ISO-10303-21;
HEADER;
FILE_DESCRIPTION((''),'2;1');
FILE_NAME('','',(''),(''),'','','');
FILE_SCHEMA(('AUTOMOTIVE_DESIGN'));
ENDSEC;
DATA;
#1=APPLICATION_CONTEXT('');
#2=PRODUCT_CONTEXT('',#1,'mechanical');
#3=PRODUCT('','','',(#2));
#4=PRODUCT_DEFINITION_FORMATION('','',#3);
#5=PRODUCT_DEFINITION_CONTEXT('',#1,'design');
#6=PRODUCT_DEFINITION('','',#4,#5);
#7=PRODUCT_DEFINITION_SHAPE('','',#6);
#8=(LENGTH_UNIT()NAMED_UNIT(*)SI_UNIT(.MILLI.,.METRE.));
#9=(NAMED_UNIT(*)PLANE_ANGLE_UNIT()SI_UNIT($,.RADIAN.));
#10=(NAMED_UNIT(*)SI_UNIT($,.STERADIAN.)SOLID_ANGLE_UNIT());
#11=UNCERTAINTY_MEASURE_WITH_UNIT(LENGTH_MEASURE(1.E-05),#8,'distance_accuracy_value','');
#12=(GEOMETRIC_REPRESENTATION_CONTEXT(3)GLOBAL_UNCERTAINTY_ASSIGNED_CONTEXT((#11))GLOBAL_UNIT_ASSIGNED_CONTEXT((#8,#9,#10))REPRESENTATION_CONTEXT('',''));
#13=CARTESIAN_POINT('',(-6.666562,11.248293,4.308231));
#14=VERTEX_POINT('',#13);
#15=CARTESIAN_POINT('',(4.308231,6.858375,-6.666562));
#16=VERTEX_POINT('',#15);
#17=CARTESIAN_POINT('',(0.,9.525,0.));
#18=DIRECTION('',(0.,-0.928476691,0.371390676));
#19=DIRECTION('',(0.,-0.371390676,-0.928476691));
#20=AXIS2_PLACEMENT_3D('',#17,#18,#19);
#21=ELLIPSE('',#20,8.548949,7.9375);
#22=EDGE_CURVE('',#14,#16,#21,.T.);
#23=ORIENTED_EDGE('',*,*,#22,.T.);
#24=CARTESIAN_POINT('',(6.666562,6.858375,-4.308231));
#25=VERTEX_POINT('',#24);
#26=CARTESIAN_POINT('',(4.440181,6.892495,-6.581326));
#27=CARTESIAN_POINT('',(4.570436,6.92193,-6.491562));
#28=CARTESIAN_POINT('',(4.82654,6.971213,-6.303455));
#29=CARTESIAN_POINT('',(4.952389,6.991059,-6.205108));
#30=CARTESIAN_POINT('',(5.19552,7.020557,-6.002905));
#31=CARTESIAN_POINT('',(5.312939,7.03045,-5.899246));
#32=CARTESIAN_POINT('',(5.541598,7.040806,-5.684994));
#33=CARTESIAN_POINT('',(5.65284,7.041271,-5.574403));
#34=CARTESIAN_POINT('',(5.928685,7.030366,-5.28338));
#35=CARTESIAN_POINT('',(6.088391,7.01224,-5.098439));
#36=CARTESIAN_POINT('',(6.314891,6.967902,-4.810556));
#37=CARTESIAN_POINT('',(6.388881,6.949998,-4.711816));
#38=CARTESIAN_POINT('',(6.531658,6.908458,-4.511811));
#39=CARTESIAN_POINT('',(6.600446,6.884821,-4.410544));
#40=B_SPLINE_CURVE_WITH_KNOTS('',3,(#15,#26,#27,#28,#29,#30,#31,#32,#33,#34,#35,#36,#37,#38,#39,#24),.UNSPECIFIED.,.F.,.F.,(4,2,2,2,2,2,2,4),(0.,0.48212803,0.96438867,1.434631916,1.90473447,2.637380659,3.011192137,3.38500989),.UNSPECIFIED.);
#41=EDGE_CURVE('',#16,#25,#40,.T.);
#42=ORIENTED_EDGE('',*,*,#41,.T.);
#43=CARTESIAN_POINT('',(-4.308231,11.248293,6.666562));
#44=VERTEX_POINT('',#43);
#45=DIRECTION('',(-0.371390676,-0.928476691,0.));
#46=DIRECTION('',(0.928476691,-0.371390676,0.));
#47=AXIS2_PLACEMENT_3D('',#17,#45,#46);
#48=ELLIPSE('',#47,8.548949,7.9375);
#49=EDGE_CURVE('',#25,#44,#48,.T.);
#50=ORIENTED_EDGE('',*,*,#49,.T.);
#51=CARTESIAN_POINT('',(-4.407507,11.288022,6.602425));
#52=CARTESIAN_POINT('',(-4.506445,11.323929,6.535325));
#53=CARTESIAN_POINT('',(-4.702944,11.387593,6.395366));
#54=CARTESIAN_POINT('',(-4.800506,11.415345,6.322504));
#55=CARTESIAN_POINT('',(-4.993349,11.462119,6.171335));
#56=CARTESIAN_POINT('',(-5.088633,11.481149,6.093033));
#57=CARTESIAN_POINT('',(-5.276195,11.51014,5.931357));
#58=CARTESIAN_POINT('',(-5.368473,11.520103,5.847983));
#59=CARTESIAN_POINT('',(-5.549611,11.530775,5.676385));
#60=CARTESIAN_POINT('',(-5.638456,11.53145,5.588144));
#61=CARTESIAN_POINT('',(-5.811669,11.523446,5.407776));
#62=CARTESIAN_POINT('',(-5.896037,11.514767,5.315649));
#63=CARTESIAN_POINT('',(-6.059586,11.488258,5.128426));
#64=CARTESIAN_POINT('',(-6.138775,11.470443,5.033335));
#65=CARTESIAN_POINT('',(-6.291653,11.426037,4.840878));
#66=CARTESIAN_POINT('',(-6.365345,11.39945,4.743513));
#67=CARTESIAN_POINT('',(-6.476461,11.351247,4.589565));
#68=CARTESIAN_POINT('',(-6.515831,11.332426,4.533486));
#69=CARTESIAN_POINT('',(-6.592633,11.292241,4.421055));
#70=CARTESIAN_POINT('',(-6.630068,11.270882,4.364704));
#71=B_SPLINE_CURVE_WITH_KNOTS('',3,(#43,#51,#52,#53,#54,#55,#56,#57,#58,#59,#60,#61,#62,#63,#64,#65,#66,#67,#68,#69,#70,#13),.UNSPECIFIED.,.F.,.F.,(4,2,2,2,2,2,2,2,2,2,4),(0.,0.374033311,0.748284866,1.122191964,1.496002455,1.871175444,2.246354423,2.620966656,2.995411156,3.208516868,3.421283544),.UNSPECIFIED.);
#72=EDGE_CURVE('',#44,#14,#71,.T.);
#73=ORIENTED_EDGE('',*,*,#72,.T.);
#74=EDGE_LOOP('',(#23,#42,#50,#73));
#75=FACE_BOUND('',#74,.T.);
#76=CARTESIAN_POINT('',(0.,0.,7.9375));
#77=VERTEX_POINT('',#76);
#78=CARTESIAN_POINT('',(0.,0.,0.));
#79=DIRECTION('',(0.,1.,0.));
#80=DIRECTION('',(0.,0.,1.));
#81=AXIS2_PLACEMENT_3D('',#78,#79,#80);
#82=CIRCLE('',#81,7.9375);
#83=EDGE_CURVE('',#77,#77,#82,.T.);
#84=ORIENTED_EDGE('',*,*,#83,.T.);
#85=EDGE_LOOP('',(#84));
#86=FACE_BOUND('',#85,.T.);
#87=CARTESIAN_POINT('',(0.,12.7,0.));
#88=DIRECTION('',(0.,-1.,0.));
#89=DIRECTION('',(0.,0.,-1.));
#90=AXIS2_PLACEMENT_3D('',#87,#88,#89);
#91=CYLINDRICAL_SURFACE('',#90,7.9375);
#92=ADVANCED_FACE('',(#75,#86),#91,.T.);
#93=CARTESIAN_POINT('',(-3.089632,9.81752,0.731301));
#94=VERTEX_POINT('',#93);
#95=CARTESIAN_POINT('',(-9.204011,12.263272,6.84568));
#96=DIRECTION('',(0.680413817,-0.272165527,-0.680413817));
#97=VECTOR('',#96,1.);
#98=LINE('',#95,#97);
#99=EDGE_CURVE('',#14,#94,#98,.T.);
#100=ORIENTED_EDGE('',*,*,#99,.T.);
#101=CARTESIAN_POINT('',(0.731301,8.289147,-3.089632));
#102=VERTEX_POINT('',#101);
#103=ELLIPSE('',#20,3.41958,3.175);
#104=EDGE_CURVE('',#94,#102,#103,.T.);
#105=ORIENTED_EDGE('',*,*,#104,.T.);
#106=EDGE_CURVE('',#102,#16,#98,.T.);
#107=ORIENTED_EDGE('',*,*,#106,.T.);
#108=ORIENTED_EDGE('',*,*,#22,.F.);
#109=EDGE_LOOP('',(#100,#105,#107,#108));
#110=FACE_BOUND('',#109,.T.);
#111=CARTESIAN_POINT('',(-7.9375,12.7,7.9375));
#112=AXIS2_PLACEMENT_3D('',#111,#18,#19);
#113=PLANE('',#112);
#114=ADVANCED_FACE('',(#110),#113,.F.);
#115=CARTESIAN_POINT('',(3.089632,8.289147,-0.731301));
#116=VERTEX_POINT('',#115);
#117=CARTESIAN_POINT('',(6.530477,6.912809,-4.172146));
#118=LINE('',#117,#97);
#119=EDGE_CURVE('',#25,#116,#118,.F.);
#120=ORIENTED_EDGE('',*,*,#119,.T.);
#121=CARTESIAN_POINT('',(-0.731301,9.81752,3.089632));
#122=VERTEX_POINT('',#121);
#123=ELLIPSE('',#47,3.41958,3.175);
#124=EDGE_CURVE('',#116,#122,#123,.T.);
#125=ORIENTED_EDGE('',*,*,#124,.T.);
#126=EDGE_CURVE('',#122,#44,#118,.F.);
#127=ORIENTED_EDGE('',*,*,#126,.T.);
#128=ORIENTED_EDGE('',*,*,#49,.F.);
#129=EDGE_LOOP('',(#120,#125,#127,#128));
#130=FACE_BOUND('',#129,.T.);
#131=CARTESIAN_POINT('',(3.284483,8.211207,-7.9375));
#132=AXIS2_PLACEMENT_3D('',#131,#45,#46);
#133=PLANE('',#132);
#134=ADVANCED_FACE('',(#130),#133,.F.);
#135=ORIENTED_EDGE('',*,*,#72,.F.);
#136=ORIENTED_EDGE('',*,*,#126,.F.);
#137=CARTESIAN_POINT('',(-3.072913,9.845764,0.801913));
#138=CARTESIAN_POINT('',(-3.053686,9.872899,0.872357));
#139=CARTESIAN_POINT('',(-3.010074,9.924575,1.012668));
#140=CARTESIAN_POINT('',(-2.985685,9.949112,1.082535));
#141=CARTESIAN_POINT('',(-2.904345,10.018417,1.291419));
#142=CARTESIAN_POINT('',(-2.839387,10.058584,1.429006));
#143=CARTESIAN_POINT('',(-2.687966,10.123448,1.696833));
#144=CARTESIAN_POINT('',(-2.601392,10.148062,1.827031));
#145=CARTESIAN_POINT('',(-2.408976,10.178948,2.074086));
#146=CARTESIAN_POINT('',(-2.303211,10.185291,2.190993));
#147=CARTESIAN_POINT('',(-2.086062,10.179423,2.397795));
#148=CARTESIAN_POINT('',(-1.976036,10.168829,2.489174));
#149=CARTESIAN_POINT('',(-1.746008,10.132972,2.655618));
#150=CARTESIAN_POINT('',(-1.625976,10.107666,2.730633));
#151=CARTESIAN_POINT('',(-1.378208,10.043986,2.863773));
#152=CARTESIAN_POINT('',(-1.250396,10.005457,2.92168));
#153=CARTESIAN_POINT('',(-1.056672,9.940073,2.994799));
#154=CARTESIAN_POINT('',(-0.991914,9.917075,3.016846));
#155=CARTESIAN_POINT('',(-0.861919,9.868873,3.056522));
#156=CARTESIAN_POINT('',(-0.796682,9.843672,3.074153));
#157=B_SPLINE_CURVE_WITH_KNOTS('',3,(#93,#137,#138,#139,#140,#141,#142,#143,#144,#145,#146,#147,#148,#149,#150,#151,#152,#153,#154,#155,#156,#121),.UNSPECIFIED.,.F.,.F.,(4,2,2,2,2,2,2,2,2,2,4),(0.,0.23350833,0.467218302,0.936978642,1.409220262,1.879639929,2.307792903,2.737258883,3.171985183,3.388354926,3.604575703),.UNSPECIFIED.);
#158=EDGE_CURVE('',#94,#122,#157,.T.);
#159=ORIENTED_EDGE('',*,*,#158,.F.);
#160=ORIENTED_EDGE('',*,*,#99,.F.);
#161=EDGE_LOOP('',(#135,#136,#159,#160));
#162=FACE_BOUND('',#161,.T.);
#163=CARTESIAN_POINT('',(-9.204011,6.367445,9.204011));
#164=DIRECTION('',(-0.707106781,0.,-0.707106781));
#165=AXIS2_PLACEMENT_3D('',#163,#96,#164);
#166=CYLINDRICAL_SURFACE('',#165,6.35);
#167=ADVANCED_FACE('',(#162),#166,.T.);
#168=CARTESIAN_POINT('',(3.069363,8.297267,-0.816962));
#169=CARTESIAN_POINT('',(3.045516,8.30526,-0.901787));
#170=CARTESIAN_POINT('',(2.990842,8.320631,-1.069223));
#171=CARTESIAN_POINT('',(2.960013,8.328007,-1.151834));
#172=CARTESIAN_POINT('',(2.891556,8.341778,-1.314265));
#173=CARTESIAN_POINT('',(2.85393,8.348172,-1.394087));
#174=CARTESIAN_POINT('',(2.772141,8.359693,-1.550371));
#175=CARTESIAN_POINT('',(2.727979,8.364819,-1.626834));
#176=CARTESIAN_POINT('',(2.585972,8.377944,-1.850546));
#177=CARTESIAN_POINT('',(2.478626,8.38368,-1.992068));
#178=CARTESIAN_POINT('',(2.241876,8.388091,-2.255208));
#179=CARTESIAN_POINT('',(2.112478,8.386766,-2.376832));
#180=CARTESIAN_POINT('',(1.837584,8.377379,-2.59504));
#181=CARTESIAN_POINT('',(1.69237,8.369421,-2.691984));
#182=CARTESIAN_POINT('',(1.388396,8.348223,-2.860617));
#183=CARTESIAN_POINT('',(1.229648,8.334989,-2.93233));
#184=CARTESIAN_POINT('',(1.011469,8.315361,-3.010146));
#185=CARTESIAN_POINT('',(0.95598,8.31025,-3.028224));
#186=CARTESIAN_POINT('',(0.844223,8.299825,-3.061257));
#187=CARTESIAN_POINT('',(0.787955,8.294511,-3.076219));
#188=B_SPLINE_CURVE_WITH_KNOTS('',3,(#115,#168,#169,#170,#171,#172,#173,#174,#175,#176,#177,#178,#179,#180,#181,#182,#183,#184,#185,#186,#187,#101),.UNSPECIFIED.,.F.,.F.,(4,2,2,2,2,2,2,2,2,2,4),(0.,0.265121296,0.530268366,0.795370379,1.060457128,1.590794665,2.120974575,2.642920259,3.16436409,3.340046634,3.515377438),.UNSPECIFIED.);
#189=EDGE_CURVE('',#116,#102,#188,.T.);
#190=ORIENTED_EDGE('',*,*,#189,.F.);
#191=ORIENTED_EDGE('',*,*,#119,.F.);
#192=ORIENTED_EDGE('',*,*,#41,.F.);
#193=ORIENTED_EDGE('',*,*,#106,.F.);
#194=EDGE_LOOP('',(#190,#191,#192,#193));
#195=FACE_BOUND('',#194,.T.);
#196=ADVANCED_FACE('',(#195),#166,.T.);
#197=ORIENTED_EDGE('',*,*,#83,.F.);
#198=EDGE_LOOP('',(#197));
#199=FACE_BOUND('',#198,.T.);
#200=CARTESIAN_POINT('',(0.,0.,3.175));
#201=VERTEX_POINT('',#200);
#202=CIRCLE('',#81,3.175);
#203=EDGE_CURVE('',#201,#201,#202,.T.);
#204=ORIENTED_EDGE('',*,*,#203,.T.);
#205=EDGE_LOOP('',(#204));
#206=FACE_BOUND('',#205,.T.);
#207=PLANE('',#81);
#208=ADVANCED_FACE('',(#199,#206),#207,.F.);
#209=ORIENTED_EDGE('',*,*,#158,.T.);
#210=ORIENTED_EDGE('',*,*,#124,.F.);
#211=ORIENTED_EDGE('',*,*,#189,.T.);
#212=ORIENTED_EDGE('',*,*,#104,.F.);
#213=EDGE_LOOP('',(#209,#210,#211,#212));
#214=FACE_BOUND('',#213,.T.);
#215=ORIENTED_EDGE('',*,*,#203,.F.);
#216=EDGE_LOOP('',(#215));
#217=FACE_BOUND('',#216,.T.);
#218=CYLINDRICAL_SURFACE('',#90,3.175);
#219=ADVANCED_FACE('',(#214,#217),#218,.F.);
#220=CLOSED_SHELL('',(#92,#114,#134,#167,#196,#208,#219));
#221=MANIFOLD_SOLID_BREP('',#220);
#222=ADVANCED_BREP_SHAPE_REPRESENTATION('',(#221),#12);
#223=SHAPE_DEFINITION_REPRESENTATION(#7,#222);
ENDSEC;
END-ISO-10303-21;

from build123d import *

# Parameters (mm, degrees)
SKETCH1_R               = 7.9375
SKETCH1_R_2             = 3.175
BOSS_EXTRUDE1_DEPTH     = 12.7
CUT_EXTRUDE1_DEPTH      = 17.949861725
CUT_EXTRUDE1_DEPTH_BACK = 17.949861725
CUT_EXTRUDE3_DEPTH      = 17.949861725
CUT_EXTRUDE3_DEPTH_BACK = 17.949861725
FILLET1_R               = 6.35


with BuildPart() as part:
    # Sketch1 → Boss-Extrude1 (new body)
    with BuildSketch(Plane(origin=(0, 0, 0), x_dir=(1, 0, 0), z_dir=(0, 1, 0))):
        with Locations(Location((0, 0, 0), (0, 0, 270))):
            Circle(SKETCH1_R)
        with Locations(Location((0, 0, 0), (0, 0, 270))):
            Circle(SKETCH1_R_2, mode=Mode.SUBTRACT)
    extrude(amount=BOSS_EXTRUDE1_DEPTH)

    # Sketch2 → Cut-Extrude1 (cut, two sides: drawn at the far end of the back side and taken through both)
    with BuildSketch(Plane(origin=(0, 0, 0), x_dir=(0, 0, -1), z_dir=(1, 0, 0)).offset(-CUT_EXTRUDE1_DEPTH_BACK)):
        Polygon((7.9375, 12.7), (-7.9375, 12.7), (7.9375, 6.35), align=None)
    extrude(amount=CUT_EXTRUDE1_DEPTH + CUT_EXTRUDE1_DEPTH_BACK, mode=Mode.SUBTRACT)

    # Sketch3 → Cut-Extrude3 (cut, two sides: drawn at the far end of the back side and taken through both)
    with BuildSketch(Plane.XY.offset(-CUT_EXTRUDE3_DEPTH_BACK)):
        Polygon((7.9375, 12.7), (-7.9375, 12.7), (7.9375, 6.35), align=None)
    extrude(amount=CUT_EXTRUDE3_DEPTH + CUT_EXTRUDE3_DEPTH_BACK, mode=Mode.SUBTRACT)

    # Fillet1
    fillet1_edges = [part.edges().sort_by_distance(p)[0] for p in [
        (-3.928862053, 11.096544821, 3.928862053),
        (3.928862053, 7.953455179, -3.928862053),
    ]]
    fillet(fillet1_edges, radius=FILLET1_R)


solid = part.part
